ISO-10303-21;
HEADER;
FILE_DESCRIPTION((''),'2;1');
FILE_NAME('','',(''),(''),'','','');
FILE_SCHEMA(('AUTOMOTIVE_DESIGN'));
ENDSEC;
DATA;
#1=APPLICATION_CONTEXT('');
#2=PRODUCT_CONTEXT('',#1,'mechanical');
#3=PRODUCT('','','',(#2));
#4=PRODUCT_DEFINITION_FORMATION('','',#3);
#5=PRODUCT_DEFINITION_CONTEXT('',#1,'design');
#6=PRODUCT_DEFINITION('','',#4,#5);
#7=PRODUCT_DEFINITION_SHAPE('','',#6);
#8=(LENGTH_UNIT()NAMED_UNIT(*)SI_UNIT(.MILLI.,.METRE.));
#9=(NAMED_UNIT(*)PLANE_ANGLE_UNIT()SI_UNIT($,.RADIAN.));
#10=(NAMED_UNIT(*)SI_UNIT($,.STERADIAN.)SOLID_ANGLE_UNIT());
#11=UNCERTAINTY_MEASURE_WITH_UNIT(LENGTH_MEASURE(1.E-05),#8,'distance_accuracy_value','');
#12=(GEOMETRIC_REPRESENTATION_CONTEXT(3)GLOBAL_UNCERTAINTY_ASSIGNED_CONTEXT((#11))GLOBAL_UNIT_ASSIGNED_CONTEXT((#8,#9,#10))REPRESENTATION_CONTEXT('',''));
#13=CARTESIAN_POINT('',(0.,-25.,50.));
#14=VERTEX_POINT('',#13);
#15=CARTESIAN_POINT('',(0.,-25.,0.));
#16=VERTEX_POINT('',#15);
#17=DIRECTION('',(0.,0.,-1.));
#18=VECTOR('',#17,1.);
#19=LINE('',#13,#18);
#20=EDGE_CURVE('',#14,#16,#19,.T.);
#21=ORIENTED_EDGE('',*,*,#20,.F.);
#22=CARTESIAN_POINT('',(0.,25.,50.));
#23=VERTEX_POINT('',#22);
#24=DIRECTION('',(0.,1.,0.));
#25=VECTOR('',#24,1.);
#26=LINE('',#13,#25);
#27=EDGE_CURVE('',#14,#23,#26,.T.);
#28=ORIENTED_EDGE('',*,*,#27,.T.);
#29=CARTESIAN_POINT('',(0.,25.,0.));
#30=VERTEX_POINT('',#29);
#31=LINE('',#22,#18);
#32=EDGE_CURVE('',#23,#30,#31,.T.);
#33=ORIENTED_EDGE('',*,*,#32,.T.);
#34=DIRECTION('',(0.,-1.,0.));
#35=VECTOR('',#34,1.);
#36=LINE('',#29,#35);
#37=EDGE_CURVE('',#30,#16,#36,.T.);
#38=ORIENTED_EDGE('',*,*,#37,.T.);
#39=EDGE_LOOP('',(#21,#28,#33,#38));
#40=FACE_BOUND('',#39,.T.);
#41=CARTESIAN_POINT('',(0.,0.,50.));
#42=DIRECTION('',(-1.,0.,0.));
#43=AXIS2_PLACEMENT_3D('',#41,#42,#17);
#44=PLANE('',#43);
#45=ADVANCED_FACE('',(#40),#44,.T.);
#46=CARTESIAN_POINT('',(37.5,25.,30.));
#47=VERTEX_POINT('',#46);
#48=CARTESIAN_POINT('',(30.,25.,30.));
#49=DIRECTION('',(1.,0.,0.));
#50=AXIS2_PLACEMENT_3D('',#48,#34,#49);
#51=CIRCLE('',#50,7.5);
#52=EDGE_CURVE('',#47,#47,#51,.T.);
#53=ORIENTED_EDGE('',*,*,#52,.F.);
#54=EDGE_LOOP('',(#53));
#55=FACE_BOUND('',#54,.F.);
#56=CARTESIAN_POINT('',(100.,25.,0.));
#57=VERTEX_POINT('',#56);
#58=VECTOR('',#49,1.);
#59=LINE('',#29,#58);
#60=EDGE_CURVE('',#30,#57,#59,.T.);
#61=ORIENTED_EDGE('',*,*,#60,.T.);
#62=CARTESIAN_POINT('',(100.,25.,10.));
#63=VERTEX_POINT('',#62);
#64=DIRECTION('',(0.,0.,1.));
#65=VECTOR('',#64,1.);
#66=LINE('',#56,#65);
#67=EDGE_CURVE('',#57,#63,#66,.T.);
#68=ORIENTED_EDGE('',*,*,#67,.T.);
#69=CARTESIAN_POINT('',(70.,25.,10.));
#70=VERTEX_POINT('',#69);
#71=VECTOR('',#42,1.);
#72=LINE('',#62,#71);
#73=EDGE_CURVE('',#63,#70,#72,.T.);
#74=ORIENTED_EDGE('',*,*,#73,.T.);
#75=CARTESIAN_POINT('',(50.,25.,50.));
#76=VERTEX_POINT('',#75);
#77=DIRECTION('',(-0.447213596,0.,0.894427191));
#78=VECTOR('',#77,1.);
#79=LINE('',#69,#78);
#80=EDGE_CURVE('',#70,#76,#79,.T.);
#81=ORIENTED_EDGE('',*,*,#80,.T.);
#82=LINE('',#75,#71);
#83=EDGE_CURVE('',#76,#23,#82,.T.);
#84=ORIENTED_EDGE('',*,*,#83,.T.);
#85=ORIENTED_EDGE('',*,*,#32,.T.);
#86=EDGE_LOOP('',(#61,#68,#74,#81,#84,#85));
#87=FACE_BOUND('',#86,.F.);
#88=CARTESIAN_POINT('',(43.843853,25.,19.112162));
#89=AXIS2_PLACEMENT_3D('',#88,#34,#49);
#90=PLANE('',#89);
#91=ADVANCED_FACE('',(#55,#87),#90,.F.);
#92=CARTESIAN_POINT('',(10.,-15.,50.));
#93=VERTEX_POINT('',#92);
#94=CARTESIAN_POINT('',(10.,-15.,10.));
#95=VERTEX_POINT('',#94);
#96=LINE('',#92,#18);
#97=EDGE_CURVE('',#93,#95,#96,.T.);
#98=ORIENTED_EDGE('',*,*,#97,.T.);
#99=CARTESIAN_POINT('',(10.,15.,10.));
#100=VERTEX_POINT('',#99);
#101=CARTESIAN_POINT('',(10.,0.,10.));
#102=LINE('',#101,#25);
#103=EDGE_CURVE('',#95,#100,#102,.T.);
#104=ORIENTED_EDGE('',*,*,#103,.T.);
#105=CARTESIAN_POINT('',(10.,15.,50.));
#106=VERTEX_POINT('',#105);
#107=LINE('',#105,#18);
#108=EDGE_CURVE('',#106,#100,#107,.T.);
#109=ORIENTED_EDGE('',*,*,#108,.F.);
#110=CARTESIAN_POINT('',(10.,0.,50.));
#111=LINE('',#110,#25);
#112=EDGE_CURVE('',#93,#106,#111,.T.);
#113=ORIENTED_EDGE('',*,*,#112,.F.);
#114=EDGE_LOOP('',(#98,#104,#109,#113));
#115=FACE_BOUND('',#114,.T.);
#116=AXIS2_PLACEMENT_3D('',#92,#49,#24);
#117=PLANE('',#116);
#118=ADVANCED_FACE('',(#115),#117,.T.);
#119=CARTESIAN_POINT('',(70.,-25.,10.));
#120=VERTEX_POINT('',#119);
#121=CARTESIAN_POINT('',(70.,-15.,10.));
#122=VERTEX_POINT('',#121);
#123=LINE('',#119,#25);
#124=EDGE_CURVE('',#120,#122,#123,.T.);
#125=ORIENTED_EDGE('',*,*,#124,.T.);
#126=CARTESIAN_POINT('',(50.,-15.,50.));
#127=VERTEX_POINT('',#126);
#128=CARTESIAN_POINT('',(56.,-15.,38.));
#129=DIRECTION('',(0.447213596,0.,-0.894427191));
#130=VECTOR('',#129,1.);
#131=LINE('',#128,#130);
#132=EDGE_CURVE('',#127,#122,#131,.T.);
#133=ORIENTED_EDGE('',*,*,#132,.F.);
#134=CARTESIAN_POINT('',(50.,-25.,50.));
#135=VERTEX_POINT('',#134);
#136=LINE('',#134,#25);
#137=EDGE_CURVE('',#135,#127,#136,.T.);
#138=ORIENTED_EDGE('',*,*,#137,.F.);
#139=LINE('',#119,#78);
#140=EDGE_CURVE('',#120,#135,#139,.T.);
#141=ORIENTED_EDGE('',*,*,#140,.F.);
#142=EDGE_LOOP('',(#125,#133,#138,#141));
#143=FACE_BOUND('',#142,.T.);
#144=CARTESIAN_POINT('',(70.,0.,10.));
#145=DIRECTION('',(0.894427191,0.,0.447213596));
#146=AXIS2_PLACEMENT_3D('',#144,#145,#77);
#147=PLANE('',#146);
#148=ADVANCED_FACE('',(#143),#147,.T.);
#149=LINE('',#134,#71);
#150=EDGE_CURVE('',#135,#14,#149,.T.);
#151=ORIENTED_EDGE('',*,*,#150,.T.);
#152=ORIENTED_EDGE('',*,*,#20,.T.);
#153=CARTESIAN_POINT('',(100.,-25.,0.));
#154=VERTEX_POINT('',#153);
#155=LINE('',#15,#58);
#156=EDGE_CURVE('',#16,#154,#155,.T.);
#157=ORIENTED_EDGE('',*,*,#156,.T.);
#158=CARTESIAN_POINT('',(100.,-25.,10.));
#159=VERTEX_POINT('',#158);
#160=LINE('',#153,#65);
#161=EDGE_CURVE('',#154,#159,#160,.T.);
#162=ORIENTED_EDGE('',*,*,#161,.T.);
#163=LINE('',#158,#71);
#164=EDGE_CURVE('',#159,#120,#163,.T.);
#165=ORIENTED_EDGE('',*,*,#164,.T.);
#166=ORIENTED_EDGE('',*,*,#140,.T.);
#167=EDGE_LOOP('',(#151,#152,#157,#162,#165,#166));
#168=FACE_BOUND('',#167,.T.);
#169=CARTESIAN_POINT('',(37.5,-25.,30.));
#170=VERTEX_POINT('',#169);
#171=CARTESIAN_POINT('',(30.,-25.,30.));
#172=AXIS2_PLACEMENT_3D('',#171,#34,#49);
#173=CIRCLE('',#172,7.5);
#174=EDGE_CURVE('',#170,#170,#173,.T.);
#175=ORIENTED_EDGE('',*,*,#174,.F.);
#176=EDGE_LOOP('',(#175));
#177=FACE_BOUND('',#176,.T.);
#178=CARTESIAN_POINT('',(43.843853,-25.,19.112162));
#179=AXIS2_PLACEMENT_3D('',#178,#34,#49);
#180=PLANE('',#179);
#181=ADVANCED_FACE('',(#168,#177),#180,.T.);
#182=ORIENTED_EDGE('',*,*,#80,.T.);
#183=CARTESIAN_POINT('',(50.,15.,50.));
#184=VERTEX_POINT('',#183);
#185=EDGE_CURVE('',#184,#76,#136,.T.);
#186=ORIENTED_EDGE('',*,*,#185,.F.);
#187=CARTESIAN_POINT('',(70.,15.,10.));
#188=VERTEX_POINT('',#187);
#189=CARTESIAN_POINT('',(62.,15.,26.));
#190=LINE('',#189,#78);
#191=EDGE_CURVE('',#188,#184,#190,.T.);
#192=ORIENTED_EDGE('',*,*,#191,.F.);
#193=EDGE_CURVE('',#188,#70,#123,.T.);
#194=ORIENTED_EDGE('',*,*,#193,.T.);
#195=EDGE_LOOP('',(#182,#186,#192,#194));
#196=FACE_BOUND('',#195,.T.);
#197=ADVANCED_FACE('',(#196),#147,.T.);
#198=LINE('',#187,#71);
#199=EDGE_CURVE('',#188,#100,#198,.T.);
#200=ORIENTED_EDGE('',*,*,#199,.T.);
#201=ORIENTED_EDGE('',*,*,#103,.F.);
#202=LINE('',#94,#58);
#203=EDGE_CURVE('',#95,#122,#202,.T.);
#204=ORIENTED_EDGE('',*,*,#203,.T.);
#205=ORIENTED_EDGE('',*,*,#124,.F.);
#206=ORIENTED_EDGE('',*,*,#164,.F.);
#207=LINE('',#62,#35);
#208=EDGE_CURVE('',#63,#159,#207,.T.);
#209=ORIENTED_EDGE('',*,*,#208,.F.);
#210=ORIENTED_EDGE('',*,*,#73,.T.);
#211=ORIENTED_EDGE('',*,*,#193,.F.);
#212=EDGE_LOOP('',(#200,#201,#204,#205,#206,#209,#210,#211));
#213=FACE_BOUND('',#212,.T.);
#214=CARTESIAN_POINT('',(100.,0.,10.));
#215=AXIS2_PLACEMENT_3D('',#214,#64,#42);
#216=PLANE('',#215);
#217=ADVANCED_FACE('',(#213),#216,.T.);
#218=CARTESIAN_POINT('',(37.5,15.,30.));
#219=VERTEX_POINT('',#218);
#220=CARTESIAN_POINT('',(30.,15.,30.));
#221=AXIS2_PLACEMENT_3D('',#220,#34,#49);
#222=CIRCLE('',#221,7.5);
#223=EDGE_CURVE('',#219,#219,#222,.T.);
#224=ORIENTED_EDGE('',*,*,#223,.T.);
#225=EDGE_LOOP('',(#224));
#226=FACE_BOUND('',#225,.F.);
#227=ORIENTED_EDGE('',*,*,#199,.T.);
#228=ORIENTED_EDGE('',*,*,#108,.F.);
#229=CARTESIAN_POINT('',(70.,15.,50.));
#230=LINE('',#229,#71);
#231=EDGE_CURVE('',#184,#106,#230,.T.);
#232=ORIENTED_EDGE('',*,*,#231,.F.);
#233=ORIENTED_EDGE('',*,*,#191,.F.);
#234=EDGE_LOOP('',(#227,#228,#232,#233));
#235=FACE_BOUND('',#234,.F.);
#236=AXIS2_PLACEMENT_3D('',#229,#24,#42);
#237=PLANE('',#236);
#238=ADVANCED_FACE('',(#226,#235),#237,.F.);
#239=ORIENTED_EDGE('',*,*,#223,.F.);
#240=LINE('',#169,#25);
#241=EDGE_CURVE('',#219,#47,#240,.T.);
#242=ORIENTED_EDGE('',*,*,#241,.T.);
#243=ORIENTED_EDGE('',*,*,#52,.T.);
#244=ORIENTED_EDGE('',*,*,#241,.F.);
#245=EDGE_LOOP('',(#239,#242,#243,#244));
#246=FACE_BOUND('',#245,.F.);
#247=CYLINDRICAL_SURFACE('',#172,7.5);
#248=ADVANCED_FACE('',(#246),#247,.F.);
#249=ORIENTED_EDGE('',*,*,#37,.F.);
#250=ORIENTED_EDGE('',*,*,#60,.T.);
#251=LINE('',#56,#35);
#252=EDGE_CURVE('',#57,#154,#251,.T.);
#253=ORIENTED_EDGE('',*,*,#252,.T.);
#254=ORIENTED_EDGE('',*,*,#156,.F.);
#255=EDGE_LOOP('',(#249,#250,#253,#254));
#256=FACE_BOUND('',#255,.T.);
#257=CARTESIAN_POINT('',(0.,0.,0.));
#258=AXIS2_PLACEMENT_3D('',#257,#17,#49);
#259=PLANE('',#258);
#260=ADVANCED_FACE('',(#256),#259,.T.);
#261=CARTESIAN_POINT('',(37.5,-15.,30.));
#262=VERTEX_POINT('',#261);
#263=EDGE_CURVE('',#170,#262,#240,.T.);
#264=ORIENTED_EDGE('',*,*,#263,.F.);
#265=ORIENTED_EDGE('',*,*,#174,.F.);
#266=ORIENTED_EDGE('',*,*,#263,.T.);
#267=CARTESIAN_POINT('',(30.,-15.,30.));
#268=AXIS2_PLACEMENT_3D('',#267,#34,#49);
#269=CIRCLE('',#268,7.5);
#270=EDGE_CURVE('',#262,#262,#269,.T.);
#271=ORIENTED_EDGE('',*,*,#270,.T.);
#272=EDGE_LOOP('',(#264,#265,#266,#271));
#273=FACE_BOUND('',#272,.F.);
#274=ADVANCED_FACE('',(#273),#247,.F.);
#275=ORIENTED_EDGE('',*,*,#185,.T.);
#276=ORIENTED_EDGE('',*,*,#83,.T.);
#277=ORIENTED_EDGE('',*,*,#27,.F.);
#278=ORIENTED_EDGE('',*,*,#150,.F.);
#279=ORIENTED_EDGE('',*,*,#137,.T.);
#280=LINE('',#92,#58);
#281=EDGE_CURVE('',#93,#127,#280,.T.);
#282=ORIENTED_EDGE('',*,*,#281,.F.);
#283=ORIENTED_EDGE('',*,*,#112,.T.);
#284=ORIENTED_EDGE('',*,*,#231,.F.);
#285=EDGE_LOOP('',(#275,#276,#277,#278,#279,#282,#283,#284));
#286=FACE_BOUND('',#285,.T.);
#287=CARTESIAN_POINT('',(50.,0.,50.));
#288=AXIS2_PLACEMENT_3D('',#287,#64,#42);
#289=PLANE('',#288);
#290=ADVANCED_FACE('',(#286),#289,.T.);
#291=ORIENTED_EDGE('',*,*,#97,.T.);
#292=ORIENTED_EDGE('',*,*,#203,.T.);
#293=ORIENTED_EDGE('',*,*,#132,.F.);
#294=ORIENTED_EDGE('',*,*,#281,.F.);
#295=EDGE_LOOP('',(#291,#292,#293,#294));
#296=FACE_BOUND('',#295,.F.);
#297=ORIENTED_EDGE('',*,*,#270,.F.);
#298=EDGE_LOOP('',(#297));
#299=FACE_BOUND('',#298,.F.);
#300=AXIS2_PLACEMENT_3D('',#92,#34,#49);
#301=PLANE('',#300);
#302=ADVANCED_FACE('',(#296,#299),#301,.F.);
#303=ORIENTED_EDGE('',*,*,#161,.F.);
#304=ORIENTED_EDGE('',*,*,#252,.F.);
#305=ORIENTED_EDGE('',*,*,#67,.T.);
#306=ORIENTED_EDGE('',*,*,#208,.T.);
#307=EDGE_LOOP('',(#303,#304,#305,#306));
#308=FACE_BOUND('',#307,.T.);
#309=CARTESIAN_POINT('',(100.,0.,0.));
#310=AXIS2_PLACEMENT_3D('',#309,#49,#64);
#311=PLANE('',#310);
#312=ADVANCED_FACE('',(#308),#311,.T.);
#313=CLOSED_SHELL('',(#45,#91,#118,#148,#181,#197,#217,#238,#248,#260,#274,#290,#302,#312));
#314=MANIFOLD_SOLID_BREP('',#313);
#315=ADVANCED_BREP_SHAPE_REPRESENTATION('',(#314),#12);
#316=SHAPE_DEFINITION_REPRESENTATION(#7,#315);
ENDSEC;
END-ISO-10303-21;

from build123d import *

# Parameters (mm, degrees)
F1_DEPTH = 25
F2_W     = 20
F2_H     = 30
F2_W_2   = 40
F3_DEPTH = 40
F4_R     = 7.5
F5_DEPTH = 50.001


with BuildPart() as f1:
    # F0 (on Front) → F1 (new body, symmetric)
    with BuildSketch(Plane.XZ):
        Polygon((0, 50), (0, 0), (100, 0), (100, 10), (70, 10), (50, 50), align=None)
    extrude(amount=F1_DEPTH, both=True)

    # F2 (on face) → F3 (cut, through all)
    with BuildSketch(Plane.XY.offset(50)):
        with Locations((60, 0)):
            Rectangle(F2_W, F2_H)
        with Locations((30, 0)):
            Rectangle(F2_W_2, F2_H)
    extrude(amount=-F3_DEPTH, mode=Mode.SUBTRACT)

    # F4 (on face) → F5 (cut, through all)
    with BuildSketch(Plane.XZ.offset(25)):
        with Locations((30, 30)):
            Circle(F4_R)
    extrude(amount=-F5_DEPTH, mode=Mode.SUBTRACT)


solid = f1.part
